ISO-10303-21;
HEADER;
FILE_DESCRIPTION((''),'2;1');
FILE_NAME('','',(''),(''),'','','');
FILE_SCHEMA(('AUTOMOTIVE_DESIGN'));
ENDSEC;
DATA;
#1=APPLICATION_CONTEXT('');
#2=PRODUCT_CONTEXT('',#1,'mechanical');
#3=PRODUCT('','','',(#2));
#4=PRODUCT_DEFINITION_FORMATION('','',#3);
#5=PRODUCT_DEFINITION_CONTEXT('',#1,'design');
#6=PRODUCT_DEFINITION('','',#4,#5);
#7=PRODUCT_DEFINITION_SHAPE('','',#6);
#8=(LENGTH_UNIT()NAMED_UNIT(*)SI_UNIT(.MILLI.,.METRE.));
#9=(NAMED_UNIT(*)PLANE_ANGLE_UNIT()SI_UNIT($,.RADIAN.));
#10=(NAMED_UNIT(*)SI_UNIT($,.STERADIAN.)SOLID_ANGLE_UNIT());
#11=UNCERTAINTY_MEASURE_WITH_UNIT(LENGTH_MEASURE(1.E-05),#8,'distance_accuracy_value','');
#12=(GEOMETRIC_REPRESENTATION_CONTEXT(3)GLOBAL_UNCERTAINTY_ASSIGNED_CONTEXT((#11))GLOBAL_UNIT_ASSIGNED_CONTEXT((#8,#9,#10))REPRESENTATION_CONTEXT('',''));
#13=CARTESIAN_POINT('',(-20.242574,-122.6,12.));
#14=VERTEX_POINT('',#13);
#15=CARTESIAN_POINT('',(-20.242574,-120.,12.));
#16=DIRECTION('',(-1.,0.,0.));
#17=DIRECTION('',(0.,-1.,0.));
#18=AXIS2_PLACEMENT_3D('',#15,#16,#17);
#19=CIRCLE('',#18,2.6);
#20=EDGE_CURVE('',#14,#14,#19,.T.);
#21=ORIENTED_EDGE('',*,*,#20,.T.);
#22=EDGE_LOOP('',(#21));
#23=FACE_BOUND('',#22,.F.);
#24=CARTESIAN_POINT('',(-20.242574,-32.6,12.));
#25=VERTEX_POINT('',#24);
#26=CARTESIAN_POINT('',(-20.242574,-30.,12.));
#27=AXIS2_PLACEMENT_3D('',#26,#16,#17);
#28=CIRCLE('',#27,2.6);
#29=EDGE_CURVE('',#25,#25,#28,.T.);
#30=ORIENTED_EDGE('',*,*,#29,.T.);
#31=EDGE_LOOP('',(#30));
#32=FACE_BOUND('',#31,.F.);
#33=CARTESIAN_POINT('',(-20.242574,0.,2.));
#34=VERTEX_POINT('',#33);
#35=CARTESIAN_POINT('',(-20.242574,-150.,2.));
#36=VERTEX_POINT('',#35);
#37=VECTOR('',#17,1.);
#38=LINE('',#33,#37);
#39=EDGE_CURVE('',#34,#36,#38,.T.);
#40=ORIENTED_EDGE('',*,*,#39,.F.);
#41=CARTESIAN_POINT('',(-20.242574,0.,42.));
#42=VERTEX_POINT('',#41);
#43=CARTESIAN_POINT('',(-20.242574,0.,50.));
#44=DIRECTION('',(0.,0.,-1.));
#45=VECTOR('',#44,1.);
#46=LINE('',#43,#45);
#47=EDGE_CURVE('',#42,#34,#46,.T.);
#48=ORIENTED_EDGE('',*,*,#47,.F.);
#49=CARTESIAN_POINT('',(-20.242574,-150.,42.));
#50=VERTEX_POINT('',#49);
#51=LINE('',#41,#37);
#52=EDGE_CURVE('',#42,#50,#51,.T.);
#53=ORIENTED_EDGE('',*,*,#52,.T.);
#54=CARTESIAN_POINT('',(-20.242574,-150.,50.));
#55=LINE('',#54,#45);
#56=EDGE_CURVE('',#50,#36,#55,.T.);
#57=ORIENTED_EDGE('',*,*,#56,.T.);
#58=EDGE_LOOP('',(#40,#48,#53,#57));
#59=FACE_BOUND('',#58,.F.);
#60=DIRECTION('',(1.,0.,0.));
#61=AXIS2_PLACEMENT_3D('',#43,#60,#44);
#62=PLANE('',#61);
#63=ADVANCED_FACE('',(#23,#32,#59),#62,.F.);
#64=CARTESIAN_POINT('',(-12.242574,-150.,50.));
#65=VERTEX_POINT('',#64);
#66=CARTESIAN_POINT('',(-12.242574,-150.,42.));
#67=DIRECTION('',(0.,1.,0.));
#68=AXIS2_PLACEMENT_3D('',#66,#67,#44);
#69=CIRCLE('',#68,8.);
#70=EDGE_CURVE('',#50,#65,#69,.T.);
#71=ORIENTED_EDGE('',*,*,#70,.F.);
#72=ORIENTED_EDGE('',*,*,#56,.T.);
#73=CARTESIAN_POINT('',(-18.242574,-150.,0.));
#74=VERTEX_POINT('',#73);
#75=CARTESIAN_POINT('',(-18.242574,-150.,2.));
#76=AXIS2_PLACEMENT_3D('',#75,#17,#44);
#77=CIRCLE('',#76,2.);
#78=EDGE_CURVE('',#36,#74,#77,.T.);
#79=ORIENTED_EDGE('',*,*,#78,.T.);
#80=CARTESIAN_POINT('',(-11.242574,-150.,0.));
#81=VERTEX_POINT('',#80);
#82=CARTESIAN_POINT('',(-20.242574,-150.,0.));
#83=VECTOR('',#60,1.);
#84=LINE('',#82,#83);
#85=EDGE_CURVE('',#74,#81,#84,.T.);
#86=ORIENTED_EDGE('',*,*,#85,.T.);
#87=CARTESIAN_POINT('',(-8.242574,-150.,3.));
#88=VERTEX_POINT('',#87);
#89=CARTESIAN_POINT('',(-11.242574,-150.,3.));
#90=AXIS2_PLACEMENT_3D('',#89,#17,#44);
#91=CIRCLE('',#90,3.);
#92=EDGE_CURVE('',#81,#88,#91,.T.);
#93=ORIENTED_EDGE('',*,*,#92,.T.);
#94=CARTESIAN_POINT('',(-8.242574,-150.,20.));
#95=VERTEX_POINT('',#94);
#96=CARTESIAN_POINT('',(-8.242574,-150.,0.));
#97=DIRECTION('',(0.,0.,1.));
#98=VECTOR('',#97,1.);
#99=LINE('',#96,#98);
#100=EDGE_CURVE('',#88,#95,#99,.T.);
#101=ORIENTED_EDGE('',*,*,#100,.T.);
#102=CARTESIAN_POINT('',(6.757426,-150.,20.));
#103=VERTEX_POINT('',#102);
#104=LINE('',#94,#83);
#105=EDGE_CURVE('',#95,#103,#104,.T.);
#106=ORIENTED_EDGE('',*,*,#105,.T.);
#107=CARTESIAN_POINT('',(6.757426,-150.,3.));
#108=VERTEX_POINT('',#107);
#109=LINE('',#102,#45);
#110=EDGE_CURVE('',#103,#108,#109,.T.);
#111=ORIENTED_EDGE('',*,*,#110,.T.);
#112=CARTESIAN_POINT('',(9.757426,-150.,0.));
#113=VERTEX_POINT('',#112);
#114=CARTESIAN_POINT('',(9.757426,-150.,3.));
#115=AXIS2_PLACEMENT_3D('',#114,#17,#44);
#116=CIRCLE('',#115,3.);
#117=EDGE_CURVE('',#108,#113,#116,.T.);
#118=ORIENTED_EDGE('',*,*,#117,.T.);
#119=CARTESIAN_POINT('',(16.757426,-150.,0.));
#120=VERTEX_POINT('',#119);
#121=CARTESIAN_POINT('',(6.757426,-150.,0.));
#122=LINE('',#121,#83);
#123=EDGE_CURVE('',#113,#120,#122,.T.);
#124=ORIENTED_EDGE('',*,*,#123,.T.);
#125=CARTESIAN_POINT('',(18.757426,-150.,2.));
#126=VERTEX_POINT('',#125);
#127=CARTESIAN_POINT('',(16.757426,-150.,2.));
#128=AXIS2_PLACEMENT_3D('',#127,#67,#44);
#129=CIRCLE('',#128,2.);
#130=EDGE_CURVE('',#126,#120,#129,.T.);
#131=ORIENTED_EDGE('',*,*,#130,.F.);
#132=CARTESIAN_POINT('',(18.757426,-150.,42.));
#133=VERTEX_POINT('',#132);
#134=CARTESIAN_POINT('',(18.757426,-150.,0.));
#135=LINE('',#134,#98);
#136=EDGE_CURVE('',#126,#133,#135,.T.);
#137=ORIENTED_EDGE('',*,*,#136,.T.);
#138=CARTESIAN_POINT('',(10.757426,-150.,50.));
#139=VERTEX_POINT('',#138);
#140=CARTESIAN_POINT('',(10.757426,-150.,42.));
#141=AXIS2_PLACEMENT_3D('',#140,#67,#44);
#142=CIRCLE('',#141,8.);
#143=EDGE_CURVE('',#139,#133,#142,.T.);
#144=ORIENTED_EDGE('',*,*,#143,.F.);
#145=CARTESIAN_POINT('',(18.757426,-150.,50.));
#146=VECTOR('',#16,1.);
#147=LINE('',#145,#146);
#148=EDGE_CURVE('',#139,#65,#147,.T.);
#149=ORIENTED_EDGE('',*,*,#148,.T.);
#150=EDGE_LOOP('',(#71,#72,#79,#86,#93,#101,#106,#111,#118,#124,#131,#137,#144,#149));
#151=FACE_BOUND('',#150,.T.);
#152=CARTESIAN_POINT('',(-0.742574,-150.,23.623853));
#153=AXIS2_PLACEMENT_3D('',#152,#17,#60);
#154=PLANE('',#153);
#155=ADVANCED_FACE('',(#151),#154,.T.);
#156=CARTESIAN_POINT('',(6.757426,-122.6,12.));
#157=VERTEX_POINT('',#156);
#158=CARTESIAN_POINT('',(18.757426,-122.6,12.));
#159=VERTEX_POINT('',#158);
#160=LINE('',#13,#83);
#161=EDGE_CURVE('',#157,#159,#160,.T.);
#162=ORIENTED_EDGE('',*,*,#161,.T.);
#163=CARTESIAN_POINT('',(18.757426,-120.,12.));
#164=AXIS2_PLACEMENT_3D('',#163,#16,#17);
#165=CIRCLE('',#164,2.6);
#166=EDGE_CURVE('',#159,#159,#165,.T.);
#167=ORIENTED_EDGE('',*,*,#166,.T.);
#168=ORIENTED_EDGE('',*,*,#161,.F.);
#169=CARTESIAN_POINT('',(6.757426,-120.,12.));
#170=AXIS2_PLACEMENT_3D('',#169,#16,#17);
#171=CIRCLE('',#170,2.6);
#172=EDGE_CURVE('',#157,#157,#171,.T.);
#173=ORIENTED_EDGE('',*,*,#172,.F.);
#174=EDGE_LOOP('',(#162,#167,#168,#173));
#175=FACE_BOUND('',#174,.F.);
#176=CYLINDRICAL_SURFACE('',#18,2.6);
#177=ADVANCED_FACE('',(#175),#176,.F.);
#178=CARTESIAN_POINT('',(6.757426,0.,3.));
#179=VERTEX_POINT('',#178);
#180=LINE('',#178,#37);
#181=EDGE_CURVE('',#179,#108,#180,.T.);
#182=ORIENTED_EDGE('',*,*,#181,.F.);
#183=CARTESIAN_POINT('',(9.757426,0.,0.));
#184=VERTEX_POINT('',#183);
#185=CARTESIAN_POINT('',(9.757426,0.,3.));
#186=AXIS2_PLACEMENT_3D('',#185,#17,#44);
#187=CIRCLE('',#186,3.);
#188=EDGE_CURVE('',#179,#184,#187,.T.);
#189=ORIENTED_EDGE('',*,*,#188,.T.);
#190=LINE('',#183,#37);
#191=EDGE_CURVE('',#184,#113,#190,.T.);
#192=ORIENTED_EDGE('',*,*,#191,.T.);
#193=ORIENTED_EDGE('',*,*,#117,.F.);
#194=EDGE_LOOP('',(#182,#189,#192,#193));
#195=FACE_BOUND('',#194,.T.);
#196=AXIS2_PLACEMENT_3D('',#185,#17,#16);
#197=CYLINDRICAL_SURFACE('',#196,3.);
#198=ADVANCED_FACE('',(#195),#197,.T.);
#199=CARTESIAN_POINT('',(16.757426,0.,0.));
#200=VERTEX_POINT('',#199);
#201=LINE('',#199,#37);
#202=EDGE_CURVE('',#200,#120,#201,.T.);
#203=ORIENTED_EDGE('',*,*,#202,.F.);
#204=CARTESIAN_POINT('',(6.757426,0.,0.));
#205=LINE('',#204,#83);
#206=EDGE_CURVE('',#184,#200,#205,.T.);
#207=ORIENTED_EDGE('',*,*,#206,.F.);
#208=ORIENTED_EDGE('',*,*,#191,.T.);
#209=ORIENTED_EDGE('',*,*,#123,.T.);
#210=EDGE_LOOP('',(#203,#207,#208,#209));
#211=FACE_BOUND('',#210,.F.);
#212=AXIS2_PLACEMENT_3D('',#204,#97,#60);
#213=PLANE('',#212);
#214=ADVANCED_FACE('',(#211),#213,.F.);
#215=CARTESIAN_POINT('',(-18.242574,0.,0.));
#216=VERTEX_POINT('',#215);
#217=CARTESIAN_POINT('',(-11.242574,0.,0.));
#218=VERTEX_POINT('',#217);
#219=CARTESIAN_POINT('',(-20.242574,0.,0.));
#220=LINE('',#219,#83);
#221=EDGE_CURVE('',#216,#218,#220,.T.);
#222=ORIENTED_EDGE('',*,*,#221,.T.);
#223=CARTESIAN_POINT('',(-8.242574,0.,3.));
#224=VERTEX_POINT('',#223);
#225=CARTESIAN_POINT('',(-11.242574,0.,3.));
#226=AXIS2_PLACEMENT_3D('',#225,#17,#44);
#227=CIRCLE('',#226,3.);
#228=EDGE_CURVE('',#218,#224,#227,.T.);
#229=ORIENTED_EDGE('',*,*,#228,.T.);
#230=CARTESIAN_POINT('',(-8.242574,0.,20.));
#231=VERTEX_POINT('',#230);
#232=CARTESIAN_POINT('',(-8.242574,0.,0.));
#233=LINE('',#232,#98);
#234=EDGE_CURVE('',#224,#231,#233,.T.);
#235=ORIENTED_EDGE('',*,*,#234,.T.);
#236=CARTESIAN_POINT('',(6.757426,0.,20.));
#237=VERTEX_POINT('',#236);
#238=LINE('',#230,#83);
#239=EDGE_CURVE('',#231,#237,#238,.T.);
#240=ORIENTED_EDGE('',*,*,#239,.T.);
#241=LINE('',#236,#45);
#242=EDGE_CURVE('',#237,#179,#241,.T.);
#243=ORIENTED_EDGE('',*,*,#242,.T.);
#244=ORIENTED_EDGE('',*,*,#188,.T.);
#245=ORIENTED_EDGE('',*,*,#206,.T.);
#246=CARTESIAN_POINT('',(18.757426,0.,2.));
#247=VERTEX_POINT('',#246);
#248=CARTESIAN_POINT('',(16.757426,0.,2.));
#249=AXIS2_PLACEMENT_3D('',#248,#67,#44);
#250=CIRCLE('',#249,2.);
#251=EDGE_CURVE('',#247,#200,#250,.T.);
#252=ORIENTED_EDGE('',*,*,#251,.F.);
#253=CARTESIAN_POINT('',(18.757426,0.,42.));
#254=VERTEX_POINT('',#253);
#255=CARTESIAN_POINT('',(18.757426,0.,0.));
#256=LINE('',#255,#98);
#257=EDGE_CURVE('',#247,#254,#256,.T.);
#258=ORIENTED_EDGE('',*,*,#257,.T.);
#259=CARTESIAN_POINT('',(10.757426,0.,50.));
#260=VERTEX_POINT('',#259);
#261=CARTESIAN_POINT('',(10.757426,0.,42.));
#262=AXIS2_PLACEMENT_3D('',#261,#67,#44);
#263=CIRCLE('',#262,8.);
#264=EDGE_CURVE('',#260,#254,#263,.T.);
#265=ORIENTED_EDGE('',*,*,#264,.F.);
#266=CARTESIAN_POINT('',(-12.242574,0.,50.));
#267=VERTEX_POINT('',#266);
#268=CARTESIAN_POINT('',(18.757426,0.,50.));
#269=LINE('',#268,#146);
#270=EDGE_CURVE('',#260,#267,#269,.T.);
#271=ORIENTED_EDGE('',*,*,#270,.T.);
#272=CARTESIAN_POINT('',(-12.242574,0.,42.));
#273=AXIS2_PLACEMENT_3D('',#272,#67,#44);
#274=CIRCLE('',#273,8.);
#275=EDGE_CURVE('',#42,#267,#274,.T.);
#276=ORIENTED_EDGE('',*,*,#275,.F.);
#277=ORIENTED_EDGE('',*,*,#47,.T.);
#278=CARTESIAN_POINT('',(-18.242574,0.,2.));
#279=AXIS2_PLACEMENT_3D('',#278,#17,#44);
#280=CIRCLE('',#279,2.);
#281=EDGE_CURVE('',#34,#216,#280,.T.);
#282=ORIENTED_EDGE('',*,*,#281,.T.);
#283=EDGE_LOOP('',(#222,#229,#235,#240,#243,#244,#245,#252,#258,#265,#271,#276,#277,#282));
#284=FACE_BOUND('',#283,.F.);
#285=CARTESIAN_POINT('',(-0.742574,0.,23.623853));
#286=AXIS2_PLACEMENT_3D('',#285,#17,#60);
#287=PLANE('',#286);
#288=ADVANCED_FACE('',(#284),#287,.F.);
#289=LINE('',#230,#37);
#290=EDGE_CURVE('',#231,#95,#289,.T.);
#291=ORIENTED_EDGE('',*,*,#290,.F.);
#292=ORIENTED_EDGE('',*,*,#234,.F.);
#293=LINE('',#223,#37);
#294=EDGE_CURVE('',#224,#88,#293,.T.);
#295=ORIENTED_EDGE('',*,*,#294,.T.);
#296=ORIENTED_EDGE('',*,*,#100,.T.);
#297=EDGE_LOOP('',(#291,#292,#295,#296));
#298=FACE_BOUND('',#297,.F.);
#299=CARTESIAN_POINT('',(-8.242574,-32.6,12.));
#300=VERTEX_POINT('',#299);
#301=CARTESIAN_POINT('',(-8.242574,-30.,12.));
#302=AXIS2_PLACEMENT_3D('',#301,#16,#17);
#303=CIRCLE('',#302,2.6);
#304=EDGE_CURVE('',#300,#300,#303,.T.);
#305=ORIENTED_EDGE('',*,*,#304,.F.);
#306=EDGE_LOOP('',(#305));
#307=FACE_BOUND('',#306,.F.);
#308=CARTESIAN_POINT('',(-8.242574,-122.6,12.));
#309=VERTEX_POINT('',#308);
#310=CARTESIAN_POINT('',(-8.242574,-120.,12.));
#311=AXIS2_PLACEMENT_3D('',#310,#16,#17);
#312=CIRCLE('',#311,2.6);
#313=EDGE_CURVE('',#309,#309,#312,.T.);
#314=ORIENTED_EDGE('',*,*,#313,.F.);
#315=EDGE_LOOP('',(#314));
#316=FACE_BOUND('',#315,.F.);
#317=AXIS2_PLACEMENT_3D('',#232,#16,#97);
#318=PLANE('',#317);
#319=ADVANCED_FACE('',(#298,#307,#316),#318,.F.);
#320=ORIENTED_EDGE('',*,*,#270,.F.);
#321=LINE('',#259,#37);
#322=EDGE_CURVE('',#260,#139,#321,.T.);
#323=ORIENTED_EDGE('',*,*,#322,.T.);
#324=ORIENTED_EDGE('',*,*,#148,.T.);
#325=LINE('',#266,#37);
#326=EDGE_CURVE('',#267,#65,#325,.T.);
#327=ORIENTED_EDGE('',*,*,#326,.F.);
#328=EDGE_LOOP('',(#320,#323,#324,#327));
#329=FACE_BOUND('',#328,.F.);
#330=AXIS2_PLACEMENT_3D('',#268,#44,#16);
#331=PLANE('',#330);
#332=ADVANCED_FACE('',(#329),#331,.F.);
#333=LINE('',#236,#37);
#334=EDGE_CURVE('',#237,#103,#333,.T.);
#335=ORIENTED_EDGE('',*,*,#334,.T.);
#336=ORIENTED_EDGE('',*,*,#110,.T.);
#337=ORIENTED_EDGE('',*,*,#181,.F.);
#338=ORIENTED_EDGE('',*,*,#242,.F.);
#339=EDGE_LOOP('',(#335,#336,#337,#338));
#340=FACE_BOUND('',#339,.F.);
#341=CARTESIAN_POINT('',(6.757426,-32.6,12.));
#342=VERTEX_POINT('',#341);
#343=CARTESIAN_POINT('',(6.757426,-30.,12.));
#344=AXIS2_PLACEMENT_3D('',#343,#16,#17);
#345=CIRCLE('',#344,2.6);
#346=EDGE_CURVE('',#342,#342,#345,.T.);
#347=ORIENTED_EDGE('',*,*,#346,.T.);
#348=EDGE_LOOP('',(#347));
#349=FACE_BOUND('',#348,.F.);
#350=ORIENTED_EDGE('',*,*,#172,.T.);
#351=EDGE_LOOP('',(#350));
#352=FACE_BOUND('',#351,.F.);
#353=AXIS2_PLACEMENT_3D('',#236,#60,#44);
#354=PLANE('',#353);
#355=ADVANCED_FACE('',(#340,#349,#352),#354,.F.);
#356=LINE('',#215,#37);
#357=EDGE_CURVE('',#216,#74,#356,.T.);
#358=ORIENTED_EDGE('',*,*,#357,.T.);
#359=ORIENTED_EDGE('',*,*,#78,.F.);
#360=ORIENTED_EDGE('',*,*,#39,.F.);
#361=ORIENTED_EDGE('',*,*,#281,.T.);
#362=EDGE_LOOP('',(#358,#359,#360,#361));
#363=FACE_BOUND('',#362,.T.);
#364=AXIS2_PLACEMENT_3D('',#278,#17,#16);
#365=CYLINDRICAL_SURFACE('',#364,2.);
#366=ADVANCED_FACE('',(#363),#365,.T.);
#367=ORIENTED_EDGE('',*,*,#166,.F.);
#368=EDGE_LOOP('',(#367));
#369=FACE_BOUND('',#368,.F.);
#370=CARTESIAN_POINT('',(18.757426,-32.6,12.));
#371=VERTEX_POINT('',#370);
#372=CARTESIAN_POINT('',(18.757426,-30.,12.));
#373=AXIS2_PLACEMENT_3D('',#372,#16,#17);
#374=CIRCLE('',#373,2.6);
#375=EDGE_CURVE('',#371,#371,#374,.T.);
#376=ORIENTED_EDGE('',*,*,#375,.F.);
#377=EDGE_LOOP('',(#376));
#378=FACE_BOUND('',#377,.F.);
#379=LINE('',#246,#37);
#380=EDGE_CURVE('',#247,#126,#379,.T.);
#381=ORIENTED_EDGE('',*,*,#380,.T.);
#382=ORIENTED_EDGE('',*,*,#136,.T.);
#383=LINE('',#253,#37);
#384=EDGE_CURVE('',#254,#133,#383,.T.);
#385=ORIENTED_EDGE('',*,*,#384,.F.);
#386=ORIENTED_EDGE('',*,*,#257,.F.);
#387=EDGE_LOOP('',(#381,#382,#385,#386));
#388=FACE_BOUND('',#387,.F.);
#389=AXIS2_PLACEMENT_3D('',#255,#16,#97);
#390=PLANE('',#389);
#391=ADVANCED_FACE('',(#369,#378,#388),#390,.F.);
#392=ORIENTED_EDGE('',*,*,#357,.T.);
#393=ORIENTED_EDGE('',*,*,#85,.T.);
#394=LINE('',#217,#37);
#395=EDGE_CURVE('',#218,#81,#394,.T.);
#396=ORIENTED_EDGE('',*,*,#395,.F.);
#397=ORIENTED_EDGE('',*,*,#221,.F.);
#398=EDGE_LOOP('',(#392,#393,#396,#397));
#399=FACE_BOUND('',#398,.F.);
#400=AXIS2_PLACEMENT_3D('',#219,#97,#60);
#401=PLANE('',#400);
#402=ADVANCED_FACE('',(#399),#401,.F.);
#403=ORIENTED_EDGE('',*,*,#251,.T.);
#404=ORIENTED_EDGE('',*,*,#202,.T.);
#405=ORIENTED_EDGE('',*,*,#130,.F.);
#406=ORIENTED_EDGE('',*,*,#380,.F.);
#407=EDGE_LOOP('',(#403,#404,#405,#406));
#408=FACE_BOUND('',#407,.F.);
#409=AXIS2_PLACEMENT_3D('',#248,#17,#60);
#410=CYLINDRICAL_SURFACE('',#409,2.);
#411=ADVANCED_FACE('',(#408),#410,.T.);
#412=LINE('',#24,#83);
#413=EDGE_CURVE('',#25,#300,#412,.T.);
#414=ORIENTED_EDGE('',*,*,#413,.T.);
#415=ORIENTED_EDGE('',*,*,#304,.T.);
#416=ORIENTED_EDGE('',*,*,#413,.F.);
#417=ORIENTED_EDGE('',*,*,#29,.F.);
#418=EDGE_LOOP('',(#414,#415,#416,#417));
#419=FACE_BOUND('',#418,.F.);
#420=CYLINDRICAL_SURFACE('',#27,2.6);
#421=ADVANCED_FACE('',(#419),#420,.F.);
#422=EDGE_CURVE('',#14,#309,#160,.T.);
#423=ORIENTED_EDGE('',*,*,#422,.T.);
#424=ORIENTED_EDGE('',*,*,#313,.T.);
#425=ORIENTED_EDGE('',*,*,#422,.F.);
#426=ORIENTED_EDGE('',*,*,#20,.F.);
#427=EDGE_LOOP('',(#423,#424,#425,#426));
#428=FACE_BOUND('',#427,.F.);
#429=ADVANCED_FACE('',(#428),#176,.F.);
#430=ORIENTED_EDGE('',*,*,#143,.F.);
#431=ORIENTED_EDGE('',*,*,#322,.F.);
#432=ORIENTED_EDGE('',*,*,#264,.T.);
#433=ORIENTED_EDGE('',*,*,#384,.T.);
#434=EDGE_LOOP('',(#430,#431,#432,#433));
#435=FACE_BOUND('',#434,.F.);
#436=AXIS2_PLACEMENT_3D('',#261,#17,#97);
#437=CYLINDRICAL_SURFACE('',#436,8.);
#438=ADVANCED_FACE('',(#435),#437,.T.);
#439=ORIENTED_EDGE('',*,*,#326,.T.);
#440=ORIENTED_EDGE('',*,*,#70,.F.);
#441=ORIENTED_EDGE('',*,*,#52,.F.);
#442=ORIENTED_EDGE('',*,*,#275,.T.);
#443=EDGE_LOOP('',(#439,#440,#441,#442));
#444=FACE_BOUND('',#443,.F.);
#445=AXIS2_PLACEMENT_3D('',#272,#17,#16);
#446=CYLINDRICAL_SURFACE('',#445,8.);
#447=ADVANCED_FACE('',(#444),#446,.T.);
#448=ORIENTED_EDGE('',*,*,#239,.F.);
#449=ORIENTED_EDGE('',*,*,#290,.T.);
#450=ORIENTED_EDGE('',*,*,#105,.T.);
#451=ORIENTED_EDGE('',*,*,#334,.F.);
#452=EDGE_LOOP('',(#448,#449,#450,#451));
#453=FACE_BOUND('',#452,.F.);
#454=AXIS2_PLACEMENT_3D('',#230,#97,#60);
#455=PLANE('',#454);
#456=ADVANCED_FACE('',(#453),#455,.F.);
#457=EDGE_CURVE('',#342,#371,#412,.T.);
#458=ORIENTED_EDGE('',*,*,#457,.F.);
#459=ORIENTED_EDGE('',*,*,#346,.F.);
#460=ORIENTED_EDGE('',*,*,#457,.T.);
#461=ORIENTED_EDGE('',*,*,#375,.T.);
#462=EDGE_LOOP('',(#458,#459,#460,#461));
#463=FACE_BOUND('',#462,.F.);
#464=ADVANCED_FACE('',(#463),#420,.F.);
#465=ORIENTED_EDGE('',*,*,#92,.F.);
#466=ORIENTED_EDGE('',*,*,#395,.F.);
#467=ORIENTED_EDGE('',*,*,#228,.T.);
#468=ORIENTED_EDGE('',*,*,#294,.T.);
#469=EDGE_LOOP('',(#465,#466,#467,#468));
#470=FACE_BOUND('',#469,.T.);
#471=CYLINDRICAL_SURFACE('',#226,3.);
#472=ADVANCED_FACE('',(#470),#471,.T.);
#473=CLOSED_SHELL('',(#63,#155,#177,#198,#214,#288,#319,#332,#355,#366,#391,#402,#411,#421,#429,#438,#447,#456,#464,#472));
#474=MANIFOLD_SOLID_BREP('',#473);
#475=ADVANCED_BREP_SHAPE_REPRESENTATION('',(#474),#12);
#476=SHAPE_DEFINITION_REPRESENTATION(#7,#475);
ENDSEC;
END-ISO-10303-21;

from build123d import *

# Parameters (mm, degrees)
F1_DEPTH = 150
F2_R     = 3
F3_R     = 8
F4_R     = 2
F5_R     = 2.6
F6_DEPTH = 39


with BuildPart() as f1:
    # F0 (on Front) → F1 (new body)
    with BuildSketch(Plane.XZ):
        Polygon((-20.242574, 50), (-20.242574, 0), (-8.242574, 0), (-8.242574, 20), (6.757426, 20), (6.757426, 0), (18.757426, 0), (18.757426, 50), align=None)
    extrude(amount=F1_DEPTH)

    # F2
    f2_edges = [f1.edges().sort_by_distance(p)[0] for p in [
        (-8.242574, -75, 0),
        (6.757426, -75, 0),
    ]]
    fillet(f2_edges, radius=F2_R)

    # F3
    f3_edges = [f1.edges().sort_by_distance(p)[0] for p in [
        (-20.242574, -75, 50),
        (18.757426, -75, 50),
    ]]
    fillet(f3_edges, radius=F3_R)

    # F4
    f4_edges = [f1.edges().sort_by_distance(p)[0] for p in [
        (18.757426, -75, 0),
        (-20.242574, -75, 0),
    ]]
    fillet(f4_edges, radius=F4_R)

    # F5 (on face) → F6 (cut, through all)
    with BuildSketch(Plane(origin=(-20.242574, 0, 0), x_dir=(0, -1, 0), z_dir=(-1, 0, 0))):
        with Locations((30, 12)):
            Circle(F5_R)
        with Locations((120, 12)):
            Circle(F5_R)
    extrude(amount=-F6_DEPTH, mode=Mode.SUBTRACT)


solid = f1.part
